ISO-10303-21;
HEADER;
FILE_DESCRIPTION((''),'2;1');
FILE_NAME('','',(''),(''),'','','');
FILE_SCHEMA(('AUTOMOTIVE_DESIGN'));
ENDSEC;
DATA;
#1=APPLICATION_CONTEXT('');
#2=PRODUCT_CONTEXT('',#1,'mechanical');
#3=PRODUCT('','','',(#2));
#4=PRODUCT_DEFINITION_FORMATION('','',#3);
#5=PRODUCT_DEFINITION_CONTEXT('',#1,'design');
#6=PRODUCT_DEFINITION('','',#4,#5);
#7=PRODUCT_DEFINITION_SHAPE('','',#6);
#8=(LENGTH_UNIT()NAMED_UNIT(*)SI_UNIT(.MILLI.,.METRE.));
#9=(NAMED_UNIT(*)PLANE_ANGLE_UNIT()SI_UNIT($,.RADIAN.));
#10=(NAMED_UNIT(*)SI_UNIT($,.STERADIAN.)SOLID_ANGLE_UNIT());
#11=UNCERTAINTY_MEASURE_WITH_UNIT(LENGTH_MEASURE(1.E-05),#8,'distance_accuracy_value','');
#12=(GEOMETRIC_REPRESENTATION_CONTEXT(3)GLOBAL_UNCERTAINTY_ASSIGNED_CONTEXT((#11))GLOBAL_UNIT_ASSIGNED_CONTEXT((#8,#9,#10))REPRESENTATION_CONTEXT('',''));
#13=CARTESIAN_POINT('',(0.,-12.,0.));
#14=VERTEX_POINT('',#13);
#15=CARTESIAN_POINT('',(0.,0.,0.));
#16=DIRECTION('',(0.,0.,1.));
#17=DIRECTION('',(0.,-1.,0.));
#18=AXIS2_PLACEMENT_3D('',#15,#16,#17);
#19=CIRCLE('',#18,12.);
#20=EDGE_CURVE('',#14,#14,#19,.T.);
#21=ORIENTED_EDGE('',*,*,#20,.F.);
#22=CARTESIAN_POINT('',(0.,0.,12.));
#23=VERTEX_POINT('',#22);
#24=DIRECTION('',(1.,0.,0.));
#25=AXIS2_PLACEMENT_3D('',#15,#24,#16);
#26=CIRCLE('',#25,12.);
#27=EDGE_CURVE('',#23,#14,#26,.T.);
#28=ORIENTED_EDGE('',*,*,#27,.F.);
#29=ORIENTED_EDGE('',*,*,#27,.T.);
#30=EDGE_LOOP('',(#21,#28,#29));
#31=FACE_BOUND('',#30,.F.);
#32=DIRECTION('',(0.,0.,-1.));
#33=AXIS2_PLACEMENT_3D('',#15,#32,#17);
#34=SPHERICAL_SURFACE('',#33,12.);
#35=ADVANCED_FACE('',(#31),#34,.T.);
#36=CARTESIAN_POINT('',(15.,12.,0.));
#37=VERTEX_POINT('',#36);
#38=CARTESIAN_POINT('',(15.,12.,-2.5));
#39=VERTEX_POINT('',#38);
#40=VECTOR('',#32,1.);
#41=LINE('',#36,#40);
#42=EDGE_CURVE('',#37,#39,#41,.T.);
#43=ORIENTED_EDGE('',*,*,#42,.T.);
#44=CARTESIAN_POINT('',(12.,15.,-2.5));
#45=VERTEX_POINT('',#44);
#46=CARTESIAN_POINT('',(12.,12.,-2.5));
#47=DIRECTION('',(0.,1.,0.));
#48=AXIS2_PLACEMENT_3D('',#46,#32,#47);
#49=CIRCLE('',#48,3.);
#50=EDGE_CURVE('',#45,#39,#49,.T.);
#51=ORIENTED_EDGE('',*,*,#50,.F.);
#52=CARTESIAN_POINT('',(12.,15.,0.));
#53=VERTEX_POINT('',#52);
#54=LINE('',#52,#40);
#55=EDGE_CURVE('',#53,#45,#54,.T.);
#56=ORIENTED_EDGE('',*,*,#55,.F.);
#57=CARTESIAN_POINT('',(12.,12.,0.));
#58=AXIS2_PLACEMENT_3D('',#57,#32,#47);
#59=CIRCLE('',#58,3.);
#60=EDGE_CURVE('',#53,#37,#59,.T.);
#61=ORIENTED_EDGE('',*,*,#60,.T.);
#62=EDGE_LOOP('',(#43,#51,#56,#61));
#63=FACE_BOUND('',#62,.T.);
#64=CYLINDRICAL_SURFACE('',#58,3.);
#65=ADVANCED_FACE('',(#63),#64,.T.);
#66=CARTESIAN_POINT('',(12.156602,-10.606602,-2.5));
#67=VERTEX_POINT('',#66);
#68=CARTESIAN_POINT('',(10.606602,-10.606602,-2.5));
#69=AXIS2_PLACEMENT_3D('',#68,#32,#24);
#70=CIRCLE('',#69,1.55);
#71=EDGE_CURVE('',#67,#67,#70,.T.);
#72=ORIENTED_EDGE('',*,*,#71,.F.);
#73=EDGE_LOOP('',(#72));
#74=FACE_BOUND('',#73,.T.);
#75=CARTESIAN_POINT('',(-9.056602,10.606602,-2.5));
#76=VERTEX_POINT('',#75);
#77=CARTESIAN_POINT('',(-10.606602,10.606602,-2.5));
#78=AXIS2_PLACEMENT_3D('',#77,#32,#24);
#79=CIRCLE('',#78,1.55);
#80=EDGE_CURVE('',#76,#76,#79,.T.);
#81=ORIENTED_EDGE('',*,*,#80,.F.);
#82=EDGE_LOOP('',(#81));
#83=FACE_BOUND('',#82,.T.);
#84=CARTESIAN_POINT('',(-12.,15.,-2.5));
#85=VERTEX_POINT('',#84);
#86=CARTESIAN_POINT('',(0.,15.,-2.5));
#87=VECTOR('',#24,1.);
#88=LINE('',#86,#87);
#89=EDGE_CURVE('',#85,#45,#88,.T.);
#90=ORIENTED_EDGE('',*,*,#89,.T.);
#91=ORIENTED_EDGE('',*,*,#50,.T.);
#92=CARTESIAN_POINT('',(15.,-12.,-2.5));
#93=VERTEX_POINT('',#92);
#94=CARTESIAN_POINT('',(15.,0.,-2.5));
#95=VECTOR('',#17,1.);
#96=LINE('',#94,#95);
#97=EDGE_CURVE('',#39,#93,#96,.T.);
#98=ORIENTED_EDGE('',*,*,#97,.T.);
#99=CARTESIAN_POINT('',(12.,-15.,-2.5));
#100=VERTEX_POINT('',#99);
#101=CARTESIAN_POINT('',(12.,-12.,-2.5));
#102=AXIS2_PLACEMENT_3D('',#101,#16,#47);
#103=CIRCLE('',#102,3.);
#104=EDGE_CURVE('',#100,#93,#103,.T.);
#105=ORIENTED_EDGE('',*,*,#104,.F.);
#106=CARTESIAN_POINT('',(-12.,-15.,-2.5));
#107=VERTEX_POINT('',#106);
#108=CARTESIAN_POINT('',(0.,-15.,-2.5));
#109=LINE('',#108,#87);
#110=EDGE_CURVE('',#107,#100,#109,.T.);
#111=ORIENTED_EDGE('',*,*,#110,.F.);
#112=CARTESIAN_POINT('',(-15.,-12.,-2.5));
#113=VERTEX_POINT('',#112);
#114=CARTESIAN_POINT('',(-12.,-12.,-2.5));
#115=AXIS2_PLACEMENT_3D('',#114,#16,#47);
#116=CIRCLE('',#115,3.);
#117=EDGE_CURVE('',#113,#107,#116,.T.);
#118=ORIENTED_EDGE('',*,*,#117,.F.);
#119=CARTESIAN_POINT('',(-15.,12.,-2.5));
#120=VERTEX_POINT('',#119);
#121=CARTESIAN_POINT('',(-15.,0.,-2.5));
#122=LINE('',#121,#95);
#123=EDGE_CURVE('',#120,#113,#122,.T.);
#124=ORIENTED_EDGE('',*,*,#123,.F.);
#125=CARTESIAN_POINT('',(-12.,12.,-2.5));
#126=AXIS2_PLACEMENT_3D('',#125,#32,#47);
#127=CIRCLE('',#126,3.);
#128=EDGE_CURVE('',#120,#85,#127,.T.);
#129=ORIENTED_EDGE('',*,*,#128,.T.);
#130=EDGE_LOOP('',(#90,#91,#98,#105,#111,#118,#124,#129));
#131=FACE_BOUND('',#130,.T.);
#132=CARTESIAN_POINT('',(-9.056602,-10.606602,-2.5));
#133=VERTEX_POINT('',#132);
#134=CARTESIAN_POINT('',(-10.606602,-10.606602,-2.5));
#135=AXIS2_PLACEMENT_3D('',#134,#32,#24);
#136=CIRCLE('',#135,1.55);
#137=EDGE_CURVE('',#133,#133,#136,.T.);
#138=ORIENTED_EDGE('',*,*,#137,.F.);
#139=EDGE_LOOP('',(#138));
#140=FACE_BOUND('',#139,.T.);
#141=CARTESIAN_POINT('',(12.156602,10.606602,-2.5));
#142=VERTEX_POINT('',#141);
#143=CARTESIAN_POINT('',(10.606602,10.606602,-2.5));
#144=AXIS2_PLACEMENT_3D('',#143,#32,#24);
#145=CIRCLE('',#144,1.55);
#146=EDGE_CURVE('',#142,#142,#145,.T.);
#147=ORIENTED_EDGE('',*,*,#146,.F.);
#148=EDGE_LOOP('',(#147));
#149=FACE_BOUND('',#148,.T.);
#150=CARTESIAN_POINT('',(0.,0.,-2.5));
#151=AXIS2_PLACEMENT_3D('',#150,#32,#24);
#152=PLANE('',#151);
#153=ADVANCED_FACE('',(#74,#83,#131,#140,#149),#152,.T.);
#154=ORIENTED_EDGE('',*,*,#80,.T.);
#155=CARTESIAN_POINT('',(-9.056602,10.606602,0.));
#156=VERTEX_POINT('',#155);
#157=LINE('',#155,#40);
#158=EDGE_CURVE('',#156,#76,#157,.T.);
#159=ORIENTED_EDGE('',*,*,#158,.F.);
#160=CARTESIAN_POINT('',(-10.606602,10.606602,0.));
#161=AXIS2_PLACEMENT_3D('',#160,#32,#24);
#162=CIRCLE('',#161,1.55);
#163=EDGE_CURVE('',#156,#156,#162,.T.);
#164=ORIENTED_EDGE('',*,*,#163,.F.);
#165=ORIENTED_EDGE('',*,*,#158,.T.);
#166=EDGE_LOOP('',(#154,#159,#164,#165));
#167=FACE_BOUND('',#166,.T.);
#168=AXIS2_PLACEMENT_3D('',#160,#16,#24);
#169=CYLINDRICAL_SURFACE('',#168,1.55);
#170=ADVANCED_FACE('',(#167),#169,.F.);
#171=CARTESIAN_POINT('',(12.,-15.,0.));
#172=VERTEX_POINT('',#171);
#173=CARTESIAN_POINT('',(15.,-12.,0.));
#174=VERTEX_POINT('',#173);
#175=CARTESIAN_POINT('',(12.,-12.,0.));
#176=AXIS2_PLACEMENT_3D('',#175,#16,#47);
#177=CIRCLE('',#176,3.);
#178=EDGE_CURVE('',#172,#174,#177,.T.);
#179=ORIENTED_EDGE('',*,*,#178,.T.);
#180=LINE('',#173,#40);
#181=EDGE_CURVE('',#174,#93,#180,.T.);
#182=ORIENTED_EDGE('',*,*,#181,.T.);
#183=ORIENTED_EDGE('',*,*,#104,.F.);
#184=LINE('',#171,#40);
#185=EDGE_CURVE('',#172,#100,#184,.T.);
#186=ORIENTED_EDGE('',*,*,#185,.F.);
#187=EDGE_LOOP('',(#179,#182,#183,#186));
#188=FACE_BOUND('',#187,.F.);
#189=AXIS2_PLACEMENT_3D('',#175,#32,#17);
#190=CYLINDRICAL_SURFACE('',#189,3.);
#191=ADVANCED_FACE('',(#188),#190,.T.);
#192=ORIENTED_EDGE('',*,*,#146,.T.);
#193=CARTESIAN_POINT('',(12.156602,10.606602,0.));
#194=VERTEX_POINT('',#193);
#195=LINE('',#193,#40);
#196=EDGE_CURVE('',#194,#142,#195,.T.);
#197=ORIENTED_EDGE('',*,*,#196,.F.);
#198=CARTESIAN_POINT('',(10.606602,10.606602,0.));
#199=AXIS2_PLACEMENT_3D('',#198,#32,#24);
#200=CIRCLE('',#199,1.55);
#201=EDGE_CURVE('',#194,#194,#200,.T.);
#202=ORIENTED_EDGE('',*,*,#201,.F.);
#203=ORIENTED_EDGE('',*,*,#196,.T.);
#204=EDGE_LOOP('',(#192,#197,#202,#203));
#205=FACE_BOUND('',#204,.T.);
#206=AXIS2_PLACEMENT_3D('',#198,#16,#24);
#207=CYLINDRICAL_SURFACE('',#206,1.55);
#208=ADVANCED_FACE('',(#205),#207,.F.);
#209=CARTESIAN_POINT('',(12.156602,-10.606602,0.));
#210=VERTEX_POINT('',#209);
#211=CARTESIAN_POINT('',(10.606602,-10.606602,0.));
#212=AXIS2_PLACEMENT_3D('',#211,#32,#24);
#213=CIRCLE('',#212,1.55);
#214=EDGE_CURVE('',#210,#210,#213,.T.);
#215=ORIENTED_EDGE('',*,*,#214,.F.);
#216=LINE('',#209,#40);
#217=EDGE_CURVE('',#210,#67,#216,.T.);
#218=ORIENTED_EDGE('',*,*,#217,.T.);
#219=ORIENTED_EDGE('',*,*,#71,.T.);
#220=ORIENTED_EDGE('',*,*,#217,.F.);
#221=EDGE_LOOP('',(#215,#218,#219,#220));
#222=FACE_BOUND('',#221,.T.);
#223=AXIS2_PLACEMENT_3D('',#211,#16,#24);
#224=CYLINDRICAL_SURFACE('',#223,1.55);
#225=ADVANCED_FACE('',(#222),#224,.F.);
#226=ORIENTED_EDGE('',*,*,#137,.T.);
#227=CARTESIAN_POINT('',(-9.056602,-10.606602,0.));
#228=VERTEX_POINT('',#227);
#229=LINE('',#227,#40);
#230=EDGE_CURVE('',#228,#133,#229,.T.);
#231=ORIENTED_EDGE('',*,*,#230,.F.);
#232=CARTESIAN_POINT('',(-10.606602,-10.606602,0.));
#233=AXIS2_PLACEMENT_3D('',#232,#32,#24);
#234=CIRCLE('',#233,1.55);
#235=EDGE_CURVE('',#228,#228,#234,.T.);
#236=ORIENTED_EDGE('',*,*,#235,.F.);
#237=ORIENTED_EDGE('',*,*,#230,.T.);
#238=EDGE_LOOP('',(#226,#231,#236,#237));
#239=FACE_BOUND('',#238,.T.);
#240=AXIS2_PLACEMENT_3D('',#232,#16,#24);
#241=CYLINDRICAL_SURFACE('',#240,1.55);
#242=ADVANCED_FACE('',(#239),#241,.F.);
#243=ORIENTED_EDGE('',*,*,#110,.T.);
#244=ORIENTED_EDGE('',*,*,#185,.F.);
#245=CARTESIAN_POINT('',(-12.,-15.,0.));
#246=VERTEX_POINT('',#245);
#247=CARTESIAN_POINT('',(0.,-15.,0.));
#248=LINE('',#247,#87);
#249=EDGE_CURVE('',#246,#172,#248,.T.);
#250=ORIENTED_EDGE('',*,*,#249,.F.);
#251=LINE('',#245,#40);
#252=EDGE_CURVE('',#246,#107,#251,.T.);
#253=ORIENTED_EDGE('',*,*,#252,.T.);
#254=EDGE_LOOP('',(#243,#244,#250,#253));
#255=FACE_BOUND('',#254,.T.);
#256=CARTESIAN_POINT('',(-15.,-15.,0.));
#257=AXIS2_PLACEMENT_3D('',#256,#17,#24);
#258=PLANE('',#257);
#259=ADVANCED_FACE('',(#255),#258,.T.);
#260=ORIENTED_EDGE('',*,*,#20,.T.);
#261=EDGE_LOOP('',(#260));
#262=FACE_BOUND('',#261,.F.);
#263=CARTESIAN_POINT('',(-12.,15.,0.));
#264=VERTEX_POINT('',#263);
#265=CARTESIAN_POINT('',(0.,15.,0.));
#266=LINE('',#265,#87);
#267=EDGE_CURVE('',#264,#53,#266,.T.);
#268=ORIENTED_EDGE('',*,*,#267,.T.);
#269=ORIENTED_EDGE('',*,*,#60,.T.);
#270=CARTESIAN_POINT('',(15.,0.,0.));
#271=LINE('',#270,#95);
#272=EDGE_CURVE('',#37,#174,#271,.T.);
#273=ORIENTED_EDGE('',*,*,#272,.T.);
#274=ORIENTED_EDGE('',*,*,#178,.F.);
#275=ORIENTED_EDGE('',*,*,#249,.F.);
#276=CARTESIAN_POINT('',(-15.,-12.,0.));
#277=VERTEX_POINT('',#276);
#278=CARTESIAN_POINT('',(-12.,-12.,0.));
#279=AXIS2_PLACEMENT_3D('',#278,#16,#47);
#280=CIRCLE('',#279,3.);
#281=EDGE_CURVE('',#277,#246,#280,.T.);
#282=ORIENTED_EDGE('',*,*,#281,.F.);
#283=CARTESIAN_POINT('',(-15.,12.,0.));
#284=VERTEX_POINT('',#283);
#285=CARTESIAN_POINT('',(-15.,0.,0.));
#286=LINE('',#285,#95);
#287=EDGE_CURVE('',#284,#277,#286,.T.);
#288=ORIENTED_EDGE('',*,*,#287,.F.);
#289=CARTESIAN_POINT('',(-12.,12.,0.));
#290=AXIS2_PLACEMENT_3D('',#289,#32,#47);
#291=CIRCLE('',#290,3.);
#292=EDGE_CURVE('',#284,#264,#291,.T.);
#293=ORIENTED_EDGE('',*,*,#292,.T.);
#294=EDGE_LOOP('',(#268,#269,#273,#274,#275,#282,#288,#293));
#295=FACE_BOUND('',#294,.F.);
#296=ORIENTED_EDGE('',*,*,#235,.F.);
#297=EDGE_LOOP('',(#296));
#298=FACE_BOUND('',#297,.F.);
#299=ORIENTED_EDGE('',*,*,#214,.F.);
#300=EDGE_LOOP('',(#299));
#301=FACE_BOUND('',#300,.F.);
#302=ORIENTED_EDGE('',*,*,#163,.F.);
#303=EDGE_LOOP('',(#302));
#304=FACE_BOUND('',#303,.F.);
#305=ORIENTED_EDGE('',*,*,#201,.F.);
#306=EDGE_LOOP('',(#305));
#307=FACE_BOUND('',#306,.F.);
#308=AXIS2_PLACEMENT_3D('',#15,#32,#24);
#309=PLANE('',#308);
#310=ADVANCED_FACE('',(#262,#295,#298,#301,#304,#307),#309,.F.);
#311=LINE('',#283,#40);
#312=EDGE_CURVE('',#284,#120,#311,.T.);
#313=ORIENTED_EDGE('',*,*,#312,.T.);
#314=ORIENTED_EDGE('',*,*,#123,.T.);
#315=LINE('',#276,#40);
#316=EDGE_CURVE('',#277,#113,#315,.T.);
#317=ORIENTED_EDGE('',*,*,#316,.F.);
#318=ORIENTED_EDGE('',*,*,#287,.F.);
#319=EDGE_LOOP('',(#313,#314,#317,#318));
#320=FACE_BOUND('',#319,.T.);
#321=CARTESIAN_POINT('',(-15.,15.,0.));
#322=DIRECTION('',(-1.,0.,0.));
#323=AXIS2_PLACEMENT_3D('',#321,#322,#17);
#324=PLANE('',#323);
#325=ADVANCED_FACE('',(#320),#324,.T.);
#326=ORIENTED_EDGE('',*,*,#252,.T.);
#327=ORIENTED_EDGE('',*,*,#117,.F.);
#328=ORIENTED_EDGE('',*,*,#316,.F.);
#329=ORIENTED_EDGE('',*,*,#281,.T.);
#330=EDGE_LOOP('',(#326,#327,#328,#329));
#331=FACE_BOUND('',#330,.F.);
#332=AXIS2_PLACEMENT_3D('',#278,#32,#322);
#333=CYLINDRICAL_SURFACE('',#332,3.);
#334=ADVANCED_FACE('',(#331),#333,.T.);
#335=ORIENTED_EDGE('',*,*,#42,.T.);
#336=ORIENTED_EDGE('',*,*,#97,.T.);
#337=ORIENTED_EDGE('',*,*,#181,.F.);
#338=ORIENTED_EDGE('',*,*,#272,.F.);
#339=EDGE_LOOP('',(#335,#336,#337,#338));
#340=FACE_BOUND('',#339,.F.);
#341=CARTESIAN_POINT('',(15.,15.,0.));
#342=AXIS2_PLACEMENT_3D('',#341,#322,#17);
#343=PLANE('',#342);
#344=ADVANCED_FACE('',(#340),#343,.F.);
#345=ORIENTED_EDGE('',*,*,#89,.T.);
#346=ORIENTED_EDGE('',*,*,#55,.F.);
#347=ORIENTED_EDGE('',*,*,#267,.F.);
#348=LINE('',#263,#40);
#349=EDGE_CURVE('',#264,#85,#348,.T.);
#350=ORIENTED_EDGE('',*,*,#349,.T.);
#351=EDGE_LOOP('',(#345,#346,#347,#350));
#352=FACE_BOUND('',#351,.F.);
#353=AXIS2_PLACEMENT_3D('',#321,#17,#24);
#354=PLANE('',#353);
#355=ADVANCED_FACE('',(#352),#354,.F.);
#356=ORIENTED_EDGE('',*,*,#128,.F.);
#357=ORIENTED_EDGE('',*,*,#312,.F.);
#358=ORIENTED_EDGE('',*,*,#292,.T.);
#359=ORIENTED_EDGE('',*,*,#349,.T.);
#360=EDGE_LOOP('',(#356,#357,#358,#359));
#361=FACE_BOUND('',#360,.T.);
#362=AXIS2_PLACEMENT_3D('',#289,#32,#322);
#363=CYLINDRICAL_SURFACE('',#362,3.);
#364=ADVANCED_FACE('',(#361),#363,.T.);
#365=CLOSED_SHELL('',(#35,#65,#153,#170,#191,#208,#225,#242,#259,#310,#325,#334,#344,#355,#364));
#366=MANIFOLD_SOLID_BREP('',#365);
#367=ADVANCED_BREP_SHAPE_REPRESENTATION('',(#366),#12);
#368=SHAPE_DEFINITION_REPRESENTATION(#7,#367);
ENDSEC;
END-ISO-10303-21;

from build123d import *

# Parameters (mm, degrees)
F2_W     = 30
F2_H     = 30
F2_R     = 1.55
F2_R_2   = 12
F3_DEPTH = 2.5
F4_R     = 3


with BuildPart() as f1:
    # F0 (on Right) → F1 (revolve)
    with BuildSketch(Plane.YZ):
        with BuildLine():
            ThreePointArc((0, 12), (-8.4852813742, 8.4852813742), (-12, 0))
            Line((-12, 0), (0, 0))
            Line((0, 0), (0, 12))
        make_face()
    revolve(axis=Axis((0, 0, 6), (0, 0, 1)))

    # F2 (on face) → F3 (join)
    with BuildSketch(Plane(origin=(0, 0, 0), x_dir=(1, 0, 0), z_dir=(0, 0, -1))):
        Rectangle(F2_W, F2_H)
        with Locations((-10.6066017178, -10.6066017178)):
            Circle(F2_R, mode=Mode.SUBTRACT)
        with Locations((10.6066017178, -10.6066017178)):
            Circle(F2_R, mode=Mode.SUBTRACT)
        with Locations((-10.6066017178, 10.6066017178)):
            Circle(F2_R, mode=Mode.SUBTRACT)
        Circle(F2_R_2, mode=Mode.SUBTRACT)
        with Locations((10.6066017178, 10.6066017178)):
            Circle(F2_R, mode=Mode.SUBTRACT)
        Circle(F2_R_2)
    extrude(amount=F3_DEPTH)

    # F4
    f4_edges = [f1.edges().sort_by_distance(p)[0] for p in [
        (15, 15, -1.25),
        (-15, 15, -1.25),
        (15, -15, -1.25),
        (-15, -15, -1.25),
    ]]
    fillet(f4_edges, radius=F4_R)


solid = f1.part
